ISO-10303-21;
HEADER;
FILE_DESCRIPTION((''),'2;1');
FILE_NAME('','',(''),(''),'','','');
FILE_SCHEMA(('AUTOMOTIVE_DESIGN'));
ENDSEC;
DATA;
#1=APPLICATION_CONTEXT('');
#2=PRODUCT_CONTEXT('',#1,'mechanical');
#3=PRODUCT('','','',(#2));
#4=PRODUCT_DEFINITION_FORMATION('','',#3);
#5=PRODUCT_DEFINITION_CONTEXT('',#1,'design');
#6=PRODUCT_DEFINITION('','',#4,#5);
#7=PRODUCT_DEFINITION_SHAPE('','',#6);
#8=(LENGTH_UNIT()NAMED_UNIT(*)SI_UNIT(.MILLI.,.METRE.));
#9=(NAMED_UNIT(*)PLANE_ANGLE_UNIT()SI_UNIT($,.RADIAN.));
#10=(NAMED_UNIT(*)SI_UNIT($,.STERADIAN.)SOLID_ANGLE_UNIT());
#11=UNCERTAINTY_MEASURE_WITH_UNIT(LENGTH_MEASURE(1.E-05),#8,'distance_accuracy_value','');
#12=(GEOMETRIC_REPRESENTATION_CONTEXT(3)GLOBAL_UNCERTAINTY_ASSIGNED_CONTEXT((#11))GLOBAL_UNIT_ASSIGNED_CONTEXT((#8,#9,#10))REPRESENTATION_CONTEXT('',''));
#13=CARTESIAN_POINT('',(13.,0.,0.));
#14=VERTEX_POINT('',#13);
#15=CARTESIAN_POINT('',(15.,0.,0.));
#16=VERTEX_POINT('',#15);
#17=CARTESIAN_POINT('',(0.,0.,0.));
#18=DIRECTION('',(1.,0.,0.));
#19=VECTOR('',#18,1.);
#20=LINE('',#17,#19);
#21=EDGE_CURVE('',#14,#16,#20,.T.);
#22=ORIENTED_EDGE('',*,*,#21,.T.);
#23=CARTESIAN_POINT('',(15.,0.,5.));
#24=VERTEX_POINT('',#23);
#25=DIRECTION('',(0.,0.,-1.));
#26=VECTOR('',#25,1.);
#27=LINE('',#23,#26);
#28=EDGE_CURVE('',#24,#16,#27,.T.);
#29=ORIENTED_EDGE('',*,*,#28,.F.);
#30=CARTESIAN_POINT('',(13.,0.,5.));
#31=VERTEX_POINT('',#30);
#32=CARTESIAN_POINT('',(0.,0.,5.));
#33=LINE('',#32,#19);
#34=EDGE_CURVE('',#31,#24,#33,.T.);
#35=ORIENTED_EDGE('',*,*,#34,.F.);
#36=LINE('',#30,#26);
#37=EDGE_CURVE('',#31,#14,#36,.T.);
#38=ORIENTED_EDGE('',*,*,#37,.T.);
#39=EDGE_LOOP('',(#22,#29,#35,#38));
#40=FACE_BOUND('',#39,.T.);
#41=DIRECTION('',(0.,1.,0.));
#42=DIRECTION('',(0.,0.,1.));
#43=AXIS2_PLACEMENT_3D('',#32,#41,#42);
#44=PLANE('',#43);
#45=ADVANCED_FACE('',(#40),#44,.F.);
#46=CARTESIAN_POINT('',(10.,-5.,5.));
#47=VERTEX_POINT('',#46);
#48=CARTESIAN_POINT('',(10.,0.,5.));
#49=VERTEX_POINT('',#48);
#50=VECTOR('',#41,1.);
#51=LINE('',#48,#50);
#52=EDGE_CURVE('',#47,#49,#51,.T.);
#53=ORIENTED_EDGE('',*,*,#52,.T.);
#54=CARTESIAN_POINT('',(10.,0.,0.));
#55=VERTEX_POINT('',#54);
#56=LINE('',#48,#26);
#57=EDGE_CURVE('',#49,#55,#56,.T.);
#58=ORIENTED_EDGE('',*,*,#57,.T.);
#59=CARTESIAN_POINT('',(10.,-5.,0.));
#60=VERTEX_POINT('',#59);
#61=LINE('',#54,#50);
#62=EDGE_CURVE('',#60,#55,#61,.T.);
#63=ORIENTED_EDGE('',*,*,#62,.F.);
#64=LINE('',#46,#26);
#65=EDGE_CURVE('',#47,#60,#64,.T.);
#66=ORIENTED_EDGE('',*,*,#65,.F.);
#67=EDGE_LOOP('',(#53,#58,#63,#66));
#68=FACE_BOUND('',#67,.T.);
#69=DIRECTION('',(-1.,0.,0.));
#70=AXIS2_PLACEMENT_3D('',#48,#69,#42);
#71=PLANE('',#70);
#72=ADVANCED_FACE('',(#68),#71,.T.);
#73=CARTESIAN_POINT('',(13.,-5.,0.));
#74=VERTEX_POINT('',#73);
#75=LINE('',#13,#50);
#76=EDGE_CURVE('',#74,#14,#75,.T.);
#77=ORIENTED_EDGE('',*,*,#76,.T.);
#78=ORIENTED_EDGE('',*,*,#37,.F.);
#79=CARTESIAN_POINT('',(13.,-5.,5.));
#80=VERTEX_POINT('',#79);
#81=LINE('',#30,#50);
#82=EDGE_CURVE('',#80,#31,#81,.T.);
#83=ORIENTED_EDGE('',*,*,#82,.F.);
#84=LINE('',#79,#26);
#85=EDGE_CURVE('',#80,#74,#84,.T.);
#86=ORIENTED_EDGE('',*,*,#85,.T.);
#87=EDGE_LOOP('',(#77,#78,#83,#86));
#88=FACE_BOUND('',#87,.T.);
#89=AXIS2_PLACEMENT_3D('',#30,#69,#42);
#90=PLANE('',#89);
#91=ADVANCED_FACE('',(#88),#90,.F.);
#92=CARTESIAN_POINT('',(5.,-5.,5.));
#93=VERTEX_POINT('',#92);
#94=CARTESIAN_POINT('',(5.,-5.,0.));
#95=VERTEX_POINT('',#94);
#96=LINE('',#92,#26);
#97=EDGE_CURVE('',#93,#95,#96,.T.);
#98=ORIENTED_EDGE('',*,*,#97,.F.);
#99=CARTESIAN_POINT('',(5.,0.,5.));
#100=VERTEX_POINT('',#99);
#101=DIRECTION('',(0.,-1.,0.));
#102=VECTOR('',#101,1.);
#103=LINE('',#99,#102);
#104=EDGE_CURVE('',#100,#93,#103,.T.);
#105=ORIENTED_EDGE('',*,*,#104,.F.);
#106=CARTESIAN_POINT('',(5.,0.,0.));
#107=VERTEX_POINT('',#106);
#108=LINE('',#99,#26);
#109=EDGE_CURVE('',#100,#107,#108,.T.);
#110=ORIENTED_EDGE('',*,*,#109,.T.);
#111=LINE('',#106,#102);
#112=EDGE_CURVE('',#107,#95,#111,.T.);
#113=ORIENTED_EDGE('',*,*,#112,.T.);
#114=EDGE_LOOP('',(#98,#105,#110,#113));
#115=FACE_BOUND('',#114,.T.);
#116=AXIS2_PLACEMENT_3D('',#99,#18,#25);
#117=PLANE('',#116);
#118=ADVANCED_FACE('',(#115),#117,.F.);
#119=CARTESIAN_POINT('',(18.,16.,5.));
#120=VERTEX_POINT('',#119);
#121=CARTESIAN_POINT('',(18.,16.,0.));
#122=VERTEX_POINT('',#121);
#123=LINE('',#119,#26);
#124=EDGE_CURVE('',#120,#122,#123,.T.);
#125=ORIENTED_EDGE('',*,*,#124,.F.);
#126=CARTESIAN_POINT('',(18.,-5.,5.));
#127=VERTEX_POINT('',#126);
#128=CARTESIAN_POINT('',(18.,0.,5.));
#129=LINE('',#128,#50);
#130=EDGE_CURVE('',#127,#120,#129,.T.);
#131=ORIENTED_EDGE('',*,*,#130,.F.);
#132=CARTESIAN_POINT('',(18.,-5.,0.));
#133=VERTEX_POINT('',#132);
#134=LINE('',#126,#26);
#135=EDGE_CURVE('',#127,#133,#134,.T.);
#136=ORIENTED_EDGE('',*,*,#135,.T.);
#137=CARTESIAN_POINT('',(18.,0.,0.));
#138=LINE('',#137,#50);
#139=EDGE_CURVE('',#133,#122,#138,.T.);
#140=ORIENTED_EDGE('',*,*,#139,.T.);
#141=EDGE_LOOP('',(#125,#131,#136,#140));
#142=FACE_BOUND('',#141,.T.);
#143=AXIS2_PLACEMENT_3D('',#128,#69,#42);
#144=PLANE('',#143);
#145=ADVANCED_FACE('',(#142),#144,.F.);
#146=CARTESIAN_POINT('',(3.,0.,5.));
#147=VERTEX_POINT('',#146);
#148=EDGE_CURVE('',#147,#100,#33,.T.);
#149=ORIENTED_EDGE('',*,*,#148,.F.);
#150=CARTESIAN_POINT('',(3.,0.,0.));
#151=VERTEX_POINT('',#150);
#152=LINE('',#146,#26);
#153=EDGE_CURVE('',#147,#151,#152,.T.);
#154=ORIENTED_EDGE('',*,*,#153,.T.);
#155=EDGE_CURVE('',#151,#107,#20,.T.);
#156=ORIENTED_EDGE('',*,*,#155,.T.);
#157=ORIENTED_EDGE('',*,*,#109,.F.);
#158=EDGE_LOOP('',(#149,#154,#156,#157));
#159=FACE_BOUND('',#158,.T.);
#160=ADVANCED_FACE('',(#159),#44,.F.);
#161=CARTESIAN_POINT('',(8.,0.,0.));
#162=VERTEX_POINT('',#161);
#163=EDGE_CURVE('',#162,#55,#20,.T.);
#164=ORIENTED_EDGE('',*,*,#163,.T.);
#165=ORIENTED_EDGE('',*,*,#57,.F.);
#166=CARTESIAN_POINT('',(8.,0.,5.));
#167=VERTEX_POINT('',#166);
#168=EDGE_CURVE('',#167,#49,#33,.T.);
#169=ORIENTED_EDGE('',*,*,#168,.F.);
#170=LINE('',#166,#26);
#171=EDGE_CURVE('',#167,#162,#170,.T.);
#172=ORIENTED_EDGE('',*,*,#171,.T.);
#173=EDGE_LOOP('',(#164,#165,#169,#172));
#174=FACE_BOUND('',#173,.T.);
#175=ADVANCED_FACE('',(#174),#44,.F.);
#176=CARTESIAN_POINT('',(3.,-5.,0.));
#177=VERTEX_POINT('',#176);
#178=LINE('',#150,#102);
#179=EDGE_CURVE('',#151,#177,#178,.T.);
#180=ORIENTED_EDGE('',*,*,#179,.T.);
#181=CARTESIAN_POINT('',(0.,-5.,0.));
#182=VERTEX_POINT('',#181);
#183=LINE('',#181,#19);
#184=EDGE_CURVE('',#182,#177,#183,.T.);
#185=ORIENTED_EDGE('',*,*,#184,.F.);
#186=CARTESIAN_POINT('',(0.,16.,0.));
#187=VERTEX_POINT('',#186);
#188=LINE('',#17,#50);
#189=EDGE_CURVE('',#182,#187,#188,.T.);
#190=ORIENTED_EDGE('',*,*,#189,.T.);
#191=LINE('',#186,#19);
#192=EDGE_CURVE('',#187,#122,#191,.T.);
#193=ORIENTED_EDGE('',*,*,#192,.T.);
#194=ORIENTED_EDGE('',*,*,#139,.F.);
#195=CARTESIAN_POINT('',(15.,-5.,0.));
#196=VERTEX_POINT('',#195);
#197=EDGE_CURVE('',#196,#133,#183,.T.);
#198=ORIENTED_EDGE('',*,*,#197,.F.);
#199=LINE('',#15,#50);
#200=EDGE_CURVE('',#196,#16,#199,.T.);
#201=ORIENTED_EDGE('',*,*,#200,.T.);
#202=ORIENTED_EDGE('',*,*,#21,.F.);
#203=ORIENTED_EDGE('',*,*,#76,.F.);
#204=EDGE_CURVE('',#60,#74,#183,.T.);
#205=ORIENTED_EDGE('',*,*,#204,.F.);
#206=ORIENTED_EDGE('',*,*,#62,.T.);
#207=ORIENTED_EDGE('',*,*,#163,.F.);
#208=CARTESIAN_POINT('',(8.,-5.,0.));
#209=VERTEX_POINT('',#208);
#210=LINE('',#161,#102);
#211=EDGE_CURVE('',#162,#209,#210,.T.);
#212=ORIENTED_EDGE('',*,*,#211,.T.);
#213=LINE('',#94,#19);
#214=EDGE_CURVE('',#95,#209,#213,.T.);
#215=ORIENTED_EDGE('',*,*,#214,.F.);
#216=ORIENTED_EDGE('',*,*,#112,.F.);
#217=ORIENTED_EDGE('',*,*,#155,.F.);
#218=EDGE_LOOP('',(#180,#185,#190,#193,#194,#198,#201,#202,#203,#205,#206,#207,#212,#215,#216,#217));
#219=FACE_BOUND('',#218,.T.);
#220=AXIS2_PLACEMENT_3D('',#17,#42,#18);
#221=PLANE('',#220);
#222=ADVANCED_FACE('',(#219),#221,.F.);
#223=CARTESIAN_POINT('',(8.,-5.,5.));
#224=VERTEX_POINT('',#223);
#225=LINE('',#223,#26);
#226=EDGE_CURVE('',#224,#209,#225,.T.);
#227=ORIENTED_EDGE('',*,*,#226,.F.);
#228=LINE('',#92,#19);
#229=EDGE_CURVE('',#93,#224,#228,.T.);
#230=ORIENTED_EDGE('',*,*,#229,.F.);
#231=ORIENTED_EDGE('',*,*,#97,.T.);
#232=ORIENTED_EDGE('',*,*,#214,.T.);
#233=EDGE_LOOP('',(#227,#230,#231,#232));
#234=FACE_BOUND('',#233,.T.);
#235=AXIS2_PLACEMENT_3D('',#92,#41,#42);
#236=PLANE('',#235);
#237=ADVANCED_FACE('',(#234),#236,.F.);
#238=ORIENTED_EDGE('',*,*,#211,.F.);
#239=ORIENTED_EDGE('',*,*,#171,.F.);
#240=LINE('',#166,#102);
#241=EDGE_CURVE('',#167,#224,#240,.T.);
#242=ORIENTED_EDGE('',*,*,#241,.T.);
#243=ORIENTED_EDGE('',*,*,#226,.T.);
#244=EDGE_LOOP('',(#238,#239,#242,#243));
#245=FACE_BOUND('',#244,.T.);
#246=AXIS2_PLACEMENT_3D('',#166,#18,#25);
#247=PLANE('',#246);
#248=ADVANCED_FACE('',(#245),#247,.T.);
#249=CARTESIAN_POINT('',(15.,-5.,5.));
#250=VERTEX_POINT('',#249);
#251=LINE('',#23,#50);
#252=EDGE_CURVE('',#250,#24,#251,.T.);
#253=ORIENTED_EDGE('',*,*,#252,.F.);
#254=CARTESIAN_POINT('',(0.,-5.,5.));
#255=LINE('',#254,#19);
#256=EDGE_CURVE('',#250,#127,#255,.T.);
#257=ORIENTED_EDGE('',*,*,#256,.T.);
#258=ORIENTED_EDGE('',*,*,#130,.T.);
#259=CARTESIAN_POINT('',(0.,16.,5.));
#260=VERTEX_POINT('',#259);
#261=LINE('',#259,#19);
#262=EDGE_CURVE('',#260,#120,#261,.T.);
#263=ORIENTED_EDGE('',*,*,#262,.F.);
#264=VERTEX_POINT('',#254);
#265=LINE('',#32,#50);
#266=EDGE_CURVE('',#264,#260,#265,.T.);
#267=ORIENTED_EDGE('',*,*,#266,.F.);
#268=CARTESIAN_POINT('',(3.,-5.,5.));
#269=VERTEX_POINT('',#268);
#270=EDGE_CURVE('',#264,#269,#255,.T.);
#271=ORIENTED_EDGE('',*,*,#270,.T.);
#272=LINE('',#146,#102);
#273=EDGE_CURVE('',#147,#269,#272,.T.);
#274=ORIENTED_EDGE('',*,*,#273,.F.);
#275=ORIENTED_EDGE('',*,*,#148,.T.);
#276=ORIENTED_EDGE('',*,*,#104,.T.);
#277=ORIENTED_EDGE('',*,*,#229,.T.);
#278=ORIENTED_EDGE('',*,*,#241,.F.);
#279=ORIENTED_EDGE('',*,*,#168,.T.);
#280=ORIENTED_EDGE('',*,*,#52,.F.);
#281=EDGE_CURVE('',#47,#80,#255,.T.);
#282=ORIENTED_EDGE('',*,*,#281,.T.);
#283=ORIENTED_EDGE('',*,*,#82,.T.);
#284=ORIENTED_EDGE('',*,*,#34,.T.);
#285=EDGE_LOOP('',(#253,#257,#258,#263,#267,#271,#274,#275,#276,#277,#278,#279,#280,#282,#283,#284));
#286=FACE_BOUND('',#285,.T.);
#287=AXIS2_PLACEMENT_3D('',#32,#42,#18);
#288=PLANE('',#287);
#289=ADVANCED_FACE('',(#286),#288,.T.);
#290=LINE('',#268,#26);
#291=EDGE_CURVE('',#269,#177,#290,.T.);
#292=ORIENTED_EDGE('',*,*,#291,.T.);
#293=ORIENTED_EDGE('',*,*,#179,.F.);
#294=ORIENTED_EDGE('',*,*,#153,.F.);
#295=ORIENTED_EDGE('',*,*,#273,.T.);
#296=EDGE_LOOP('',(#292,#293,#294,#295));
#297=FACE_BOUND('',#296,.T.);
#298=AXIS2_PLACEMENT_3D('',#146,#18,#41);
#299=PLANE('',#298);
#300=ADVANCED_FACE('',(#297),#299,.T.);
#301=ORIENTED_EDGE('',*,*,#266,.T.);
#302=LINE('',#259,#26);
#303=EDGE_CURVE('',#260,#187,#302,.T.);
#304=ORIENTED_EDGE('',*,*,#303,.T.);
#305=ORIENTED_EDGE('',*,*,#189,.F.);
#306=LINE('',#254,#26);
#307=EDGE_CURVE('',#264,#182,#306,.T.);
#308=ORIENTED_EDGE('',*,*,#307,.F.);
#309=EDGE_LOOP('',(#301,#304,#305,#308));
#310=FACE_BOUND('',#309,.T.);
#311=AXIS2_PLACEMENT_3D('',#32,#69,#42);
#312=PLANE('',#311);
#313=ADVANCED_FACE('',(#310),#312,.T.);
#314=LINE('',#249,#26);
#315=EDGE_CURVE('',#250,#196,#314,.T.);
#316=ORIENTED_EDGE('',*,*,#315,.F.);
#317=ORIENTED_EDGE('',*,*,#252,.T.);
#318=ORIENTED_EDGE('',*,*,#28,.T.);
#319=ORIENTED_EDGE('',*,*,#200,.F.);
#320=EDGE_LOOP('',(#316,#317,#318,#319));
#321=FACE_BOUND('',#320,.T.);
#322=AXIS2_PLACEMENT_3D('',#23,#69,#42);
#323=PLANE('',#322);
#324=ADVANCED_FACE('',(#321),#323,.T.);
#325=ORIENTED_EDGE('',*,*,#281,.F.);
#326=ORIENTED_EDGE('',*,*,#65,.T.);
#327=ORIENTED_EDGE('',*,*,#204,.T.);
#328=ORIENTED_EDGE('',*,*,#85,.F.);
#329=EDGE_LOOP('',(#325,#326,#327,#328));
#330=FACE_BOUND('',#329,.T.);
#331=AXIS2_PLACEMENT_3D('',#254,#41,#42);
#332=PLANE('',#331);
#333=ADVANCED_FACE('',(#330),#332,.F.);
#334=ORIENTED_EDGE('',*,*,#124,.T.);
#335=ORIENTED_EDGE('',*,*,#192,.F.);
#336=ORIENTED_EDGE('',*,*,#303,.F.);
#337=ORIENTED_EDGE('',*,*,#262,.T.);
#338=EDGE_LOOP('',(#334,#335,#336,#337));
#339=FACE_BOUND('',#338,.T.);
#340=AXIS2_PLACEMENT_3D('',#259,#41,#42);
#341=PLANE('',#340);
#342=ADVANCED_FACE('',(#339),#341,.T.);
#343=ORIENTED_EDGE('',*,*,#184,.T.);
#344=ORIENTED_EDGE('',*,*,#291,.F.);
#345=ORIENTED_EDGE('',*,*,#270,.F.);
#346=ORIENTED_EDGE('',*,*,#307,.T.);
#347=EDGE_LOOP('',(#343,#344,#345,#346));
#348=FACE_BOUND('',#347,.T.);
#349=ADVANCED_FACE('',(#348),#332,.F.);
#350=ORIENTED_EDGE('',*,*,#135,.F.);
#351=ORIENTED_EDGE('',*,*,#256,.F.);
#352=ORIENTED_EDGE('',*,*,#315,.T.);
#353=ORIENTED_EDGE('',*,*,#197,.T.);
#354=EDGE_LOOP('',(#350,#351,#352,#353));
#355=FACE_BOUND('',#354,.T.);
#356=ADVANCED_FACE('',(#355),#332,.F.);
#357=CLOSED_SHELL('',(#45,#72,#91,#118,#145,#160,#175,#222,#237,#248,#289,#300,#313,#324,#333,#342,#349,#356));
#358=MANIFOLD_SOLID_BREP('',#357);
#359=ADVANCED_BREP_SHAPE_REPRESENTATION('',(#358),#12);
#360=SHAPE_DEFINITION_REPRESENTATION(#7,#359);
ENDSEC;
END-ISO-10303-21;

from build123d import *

# Parameters (mm, degrees)
BOSS_EXTRU_2_DEPTH = 5


with BuildPart() as part:
    # Esquisse1 → Boss.-Extru.2 (new body)
    with BuildSketch(Plane.XY):
        Polygon((0, 16), (0, -5), (3, -5), (3, 0), (5, 0), (5, -5), (8, -5), (8, 0), (10, 0), (10, -5), (13, -5), (13, 0), (15, 0), (15, -5), (18, -5), (18, 16), align=None)
    extrude(amount=BOSS_EXTRU_2_DEPTH)


solid = part.part
